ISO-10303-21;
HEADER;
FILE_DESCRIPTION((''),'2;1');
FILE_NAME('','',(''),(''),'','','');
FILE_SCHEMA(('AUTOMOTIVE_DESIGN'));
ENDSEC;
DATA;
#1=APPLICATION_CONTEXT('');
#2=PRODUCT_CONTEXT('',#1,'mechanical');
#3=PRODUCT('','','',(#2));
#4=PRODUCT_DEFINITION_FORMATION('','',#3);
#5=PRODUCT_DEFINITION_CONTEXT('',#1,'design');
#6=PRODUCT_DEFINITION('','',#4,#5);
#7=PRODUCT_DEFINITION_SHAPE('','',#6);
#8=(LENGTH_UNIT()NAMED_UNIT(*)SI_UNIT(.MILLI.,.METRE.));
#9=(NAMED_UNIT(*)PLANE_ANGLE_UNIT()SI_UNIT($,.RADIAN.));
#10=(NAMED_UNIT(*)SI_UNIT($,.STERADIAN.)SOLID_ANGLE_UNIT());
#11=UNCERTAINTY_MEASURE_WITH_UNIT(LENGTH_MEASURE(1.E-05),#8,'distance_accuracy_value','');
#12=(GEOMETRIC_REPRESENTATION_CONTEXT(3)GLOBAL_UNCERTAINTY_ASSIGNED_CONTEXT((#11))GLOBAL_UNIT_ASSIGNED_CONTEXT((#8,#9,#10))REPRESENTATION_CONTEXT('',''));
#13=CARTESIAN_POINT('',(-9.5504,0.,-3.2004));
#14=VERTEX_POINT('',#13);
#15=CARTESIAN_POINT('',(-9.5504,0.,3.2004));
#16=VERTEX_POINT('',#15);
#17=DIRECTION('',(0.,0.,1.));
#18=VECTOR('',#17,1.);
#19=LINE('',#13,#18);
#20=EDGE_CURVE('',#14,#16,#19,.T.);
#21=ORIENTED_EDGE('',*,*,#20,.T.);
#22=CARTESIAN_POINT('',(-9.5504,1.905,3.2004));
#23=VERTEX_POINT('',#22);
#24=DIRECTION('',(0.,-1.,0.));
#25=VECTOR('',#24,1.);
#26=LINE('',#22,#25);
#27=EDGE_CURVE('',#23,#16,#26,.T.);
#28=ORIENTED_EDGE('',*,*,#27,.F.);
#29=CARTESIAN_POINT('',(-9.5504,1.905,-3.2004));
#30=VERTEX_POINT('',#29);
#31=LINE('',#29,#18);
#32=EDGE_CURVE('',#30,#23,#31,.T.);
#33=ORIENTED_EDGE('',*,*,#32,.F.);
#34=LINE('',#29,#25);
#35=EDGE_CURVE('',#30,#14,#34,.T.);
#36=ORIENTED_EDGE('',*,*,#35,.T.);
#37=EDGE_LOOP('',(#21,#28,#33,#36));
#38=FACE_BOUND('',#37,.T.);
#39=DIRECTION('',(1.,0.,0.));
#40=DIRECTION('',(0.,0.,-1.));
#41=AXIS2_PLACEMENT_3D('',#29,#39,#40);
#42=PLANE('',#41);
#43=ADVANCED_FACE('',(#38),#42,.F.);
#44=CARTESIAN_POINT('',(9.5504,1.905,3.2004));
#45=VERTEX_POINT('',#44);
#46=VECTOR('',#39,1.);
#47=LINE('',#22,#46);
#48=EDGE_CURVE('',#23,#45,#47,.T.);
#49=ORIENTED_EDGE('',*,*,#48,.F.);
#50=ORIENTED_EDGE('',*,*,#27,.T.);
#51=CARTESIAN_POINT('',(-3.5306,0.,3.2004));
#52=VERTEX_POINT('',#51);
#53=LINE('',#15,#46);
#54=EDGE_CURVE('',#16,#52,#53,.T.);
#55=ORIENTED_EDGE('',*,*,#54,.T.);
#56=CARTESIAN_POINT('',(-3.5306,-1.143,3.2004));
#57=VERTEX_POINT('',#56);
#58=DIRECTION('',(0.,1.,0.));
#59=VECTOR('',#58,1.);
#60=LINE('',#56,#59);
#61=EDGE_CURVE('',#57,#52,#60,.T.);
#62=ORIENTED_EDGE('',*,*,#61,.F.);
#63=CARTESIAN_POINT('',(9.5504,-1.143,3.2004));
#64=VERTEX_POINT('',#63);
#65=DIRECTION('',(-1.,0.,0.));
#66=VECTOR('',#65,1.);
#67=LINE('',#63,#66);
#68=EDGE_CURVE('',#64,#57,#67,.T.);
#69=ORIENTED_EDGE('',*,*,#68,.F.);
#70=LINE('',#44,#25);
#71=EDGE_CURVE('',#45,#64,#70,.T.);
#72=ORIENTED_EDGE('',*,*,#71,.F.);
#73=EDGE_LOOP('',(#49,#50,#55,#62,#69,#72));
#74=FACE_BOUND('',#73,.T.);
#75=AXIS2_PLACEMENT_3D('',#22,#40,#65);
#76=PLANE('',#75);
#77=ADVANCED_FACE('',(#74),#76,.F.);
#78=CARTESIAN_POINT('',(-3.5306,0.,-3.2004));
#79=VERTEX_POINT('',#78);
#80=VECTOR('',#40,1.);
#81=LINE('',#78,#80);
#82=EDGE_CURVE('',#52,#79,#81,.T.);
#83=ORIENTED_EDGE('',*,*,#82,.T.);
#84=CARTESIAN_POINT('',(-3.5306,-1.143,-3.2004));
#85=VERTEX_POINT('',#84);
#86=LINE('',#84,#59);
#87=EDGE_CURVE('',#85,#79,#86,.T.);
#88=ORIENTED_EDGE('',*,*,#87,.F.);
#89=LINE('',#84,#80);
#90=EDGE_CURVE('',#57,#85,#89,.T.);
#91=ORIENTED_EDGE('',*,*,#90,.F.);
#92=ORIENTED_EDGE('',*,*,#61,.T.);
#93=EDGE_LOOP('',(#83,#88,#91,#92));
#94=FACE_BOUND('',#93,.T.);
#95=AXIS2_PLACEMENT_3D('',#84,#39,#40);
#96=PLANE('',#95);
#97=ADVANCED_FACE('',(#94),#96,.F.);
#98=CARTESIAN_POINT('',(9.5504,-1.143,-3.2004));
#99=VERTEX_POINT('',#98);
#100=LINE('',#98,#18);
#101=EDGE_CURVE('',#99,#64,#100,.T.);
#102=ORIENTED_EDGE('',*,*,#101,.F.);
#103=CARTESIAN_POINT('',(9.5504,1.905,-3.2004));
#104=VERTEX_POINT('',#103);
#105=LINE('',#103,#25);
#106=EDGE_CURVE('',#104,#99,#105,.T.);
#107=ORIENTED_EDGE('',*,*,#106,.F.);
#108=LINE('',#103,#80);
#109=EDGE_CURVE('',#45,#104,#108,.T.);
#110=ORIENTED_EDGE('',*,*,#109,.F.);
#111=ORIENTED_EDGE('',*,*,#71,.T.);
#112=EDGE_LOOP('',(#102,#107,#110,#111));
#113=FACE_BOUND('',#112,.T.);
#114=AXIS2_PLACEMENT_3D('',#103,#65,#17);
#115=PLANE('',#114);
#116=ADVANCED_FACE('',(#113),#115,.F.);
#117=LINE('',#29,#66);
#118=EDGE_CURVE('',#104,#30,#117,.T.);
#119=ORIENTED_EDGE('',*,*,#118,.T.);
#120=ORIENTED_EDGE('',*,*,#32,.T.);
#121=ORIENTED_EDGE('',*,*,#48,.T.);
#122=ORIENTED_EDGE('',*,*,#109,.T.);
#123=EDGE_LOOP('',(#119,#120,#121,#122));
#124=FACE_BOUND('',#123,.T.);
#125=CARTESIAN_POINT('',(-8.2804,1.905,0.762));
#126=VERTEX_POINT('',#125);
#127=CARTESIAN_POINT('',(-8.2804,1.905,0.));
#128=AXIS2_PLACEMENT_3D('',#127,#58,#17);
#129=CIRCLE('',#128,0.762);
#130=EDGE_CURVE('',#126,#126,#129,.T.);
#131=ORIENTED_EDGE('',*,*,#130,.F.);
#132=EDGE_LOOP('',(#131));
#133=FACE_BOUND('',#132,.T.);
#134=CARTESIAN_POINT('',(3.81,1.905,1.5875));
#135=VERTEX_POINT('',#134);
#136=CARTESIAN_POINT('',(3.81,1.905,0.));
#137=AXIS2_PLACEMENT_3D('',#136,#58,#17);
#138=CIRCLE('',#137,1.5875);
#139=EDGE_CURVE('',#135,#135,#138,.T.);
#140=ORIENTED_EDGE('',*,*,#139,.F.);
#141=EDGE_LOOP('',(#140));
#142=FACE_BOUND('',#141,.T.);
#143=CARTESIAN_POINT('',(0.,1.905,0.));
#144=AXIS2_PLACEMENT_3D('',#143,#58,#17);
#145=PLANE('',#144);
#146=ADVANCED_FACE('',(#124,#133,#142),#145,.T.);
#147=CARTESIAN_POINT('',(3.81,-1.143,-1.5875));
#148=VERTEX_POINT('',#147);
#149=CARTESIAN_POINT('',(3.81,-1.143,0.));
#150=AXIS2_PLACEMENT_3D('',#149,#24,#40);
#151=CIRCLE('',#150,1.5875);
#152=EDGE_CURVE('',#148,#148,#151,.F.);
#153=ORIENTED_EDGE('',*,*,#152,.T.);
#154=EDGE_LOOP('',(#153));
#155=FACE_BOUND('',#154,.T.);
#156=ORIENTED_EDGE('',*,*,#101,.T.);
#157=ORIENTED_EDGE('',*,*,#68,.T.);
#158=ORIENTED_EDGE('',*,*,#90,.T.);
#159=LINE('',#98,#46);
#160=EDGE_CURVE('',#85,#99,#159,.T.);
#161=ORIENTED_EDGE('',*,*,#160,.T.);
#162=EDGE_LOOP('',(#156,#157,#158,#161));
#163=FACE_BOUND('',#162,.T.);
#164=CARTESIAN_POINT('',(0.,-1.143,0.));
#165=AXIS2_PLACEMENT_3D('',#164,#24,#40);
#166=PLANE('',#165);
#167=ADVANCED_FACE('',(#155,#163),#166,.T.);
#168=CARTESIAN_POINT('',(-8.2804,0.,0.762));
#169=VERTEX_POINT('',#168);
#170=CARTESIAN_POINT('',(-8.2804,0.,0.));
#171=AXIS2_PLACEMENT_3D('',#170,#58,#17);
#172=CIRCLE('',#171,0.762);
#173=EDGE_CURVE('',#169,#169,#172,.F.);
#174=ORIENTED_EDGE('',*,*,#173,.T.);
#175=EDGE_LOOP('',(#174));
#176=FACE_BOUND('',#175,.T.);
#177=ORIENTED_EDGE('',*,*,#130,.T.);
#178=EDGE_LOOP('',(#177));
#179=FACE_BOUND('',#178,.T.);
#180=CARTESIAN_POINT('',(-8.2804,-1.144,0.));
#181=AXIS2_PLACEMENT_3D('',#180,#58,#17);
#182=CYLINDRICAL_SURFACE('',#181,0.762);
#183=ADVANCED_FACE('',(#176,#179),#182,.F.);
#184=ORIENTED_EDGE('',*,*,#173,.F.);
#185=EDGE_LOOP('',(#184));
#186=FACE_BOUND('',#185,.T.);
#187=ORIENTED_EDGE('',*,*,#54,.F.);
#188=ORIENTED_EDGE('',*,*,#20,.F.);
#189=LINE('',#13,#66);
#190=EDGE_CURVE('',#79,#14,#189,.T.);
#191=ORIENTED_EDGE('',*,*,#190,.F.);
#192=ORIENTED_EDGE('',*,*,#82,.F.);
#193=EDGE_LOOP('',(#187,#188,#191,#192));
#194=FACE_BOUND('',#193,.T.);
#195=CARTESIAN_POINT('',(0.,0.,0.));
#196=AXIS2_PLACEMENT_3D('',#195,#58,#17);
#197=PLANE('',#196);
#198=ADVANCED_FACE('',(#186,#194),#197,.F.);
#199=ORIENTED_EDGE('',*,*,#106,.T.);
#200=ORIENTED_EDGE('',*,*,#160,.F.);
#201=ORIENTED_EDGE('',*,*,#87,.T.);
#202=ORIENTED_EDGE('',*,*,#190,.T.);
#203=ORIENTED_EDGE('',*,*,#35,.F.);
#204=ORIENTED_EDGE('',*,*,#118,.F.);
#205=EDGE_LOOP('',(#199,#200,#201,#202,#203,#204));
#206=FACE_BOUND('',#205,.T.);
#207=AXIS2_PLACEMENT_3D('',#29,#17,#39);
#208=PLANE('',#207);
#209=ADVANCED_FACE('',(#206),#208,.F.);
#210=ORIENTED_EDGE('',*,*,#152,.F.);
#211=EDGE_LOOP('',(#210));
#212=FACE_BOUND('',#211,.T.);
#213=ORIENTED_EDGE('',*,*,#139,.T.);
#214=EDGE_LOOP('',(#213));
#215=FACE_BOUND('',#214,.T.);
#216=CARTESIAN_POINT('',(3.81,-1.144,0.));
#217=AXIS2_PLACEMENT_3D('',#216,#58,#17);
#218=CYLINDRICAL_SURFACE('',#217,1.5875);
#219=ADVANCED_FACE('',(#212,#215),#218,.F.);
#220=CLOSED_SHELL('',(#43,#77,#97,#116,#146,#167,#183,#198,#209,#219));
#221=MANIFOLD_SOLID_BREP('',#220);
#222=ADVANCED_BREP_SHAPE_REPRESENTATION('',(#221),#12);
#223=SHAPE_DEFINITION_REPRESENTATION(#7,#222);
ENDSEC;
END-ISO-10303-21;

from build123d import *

# Parameters (mm, degrees)
SKETCH1_W           = 19.1008
SKETCH1_H           = 6.4008
BOSS_EXTRUDE1_DEPTH = 1.905
SKETCH2_W           = 13.081
SKETCH2_H           = 6.4008
BOSS_EXTRUDE2_DEPTH = 1.143
CUT_EXTRUDE1_REACH  = 5.048
SKETCH3_R           = 0.762
CUT_EXTRUDE2_REACH  = 5.048
SKETCH4_R           = 1.5875


with BuildPart() as part:
    # Sketch1 → Boss-Extrude1 (new body)
    with BuildSketch(Plane(origin=(0, 0, 0), x_dir=(1, 0, 0), z_dir=(0, 1, 0))):
        Rectangle(SKETCH1_W, SKETCH1_H)
    extrude(amount=BOSS_EXTRUDE1_DEPTH)

    # Sketch2 → Boss-Extrude2 (add)
    with BuildSketch(Plane(origin=(0, 0, 0), x_dir=(-1, 0, 0), z_dir=(0, -1, 0))):
        with Locations((-3.0099, 0)):
            Rectangle(SKETCH2_W, SKETCH2_H)
    extrude(amount=BOSS_EXTRUDE2_DEPTH)

    # Sketch3 → Cut-Extrude1 (cut, up to next)
    with BuildSketch(Plane(origin=(0, 1.905, 0), x_dir=(1, 0, 0), z_dir=(0, 1, 0)), mode=Mode.PRIVATE) as cut_extrude1_sk1:
        with Locations((-8.2804, 0)):
            Circle(SKETCH3_R)
    cut_extrude1_tool1 = extrude(cut_extrude1_sk1.sketch, amount=-CUT_EXTRUDE1_REACH, mode=Mode.PRIVATE) & part.part
    add(cut_extrude1_tool1.solids().sort_by_distance((-8.2804, 1.905, 0))[0], mode=Mode.SUBTRACT)

    # Sketch4 → Cut-Extrude2 (cut, up to next)
    with BuildSketch(Plane(origin=(0, 1.905, 0), x_dir=(1, 0, 0), z_dir=(0, 1, 0)), mode=Mode.PRIVATE) as cut_extrude2_sk1:
        with Locations((3.81, 0)):
            Circle(SKETCH4_R)
    cut_extrude2_tool1 = extrude(cut_extrude2_sk1.sketch, amount=-CUT_EXTRUDE2_REACH, mode=Mode.PRIVATE) & part.part
    add(cut_extrude2_tool1.solids().sort_by_distance((3.81, 1.905, 0))[0], mode=Mode.SUBTRACT)


solid = part.part
